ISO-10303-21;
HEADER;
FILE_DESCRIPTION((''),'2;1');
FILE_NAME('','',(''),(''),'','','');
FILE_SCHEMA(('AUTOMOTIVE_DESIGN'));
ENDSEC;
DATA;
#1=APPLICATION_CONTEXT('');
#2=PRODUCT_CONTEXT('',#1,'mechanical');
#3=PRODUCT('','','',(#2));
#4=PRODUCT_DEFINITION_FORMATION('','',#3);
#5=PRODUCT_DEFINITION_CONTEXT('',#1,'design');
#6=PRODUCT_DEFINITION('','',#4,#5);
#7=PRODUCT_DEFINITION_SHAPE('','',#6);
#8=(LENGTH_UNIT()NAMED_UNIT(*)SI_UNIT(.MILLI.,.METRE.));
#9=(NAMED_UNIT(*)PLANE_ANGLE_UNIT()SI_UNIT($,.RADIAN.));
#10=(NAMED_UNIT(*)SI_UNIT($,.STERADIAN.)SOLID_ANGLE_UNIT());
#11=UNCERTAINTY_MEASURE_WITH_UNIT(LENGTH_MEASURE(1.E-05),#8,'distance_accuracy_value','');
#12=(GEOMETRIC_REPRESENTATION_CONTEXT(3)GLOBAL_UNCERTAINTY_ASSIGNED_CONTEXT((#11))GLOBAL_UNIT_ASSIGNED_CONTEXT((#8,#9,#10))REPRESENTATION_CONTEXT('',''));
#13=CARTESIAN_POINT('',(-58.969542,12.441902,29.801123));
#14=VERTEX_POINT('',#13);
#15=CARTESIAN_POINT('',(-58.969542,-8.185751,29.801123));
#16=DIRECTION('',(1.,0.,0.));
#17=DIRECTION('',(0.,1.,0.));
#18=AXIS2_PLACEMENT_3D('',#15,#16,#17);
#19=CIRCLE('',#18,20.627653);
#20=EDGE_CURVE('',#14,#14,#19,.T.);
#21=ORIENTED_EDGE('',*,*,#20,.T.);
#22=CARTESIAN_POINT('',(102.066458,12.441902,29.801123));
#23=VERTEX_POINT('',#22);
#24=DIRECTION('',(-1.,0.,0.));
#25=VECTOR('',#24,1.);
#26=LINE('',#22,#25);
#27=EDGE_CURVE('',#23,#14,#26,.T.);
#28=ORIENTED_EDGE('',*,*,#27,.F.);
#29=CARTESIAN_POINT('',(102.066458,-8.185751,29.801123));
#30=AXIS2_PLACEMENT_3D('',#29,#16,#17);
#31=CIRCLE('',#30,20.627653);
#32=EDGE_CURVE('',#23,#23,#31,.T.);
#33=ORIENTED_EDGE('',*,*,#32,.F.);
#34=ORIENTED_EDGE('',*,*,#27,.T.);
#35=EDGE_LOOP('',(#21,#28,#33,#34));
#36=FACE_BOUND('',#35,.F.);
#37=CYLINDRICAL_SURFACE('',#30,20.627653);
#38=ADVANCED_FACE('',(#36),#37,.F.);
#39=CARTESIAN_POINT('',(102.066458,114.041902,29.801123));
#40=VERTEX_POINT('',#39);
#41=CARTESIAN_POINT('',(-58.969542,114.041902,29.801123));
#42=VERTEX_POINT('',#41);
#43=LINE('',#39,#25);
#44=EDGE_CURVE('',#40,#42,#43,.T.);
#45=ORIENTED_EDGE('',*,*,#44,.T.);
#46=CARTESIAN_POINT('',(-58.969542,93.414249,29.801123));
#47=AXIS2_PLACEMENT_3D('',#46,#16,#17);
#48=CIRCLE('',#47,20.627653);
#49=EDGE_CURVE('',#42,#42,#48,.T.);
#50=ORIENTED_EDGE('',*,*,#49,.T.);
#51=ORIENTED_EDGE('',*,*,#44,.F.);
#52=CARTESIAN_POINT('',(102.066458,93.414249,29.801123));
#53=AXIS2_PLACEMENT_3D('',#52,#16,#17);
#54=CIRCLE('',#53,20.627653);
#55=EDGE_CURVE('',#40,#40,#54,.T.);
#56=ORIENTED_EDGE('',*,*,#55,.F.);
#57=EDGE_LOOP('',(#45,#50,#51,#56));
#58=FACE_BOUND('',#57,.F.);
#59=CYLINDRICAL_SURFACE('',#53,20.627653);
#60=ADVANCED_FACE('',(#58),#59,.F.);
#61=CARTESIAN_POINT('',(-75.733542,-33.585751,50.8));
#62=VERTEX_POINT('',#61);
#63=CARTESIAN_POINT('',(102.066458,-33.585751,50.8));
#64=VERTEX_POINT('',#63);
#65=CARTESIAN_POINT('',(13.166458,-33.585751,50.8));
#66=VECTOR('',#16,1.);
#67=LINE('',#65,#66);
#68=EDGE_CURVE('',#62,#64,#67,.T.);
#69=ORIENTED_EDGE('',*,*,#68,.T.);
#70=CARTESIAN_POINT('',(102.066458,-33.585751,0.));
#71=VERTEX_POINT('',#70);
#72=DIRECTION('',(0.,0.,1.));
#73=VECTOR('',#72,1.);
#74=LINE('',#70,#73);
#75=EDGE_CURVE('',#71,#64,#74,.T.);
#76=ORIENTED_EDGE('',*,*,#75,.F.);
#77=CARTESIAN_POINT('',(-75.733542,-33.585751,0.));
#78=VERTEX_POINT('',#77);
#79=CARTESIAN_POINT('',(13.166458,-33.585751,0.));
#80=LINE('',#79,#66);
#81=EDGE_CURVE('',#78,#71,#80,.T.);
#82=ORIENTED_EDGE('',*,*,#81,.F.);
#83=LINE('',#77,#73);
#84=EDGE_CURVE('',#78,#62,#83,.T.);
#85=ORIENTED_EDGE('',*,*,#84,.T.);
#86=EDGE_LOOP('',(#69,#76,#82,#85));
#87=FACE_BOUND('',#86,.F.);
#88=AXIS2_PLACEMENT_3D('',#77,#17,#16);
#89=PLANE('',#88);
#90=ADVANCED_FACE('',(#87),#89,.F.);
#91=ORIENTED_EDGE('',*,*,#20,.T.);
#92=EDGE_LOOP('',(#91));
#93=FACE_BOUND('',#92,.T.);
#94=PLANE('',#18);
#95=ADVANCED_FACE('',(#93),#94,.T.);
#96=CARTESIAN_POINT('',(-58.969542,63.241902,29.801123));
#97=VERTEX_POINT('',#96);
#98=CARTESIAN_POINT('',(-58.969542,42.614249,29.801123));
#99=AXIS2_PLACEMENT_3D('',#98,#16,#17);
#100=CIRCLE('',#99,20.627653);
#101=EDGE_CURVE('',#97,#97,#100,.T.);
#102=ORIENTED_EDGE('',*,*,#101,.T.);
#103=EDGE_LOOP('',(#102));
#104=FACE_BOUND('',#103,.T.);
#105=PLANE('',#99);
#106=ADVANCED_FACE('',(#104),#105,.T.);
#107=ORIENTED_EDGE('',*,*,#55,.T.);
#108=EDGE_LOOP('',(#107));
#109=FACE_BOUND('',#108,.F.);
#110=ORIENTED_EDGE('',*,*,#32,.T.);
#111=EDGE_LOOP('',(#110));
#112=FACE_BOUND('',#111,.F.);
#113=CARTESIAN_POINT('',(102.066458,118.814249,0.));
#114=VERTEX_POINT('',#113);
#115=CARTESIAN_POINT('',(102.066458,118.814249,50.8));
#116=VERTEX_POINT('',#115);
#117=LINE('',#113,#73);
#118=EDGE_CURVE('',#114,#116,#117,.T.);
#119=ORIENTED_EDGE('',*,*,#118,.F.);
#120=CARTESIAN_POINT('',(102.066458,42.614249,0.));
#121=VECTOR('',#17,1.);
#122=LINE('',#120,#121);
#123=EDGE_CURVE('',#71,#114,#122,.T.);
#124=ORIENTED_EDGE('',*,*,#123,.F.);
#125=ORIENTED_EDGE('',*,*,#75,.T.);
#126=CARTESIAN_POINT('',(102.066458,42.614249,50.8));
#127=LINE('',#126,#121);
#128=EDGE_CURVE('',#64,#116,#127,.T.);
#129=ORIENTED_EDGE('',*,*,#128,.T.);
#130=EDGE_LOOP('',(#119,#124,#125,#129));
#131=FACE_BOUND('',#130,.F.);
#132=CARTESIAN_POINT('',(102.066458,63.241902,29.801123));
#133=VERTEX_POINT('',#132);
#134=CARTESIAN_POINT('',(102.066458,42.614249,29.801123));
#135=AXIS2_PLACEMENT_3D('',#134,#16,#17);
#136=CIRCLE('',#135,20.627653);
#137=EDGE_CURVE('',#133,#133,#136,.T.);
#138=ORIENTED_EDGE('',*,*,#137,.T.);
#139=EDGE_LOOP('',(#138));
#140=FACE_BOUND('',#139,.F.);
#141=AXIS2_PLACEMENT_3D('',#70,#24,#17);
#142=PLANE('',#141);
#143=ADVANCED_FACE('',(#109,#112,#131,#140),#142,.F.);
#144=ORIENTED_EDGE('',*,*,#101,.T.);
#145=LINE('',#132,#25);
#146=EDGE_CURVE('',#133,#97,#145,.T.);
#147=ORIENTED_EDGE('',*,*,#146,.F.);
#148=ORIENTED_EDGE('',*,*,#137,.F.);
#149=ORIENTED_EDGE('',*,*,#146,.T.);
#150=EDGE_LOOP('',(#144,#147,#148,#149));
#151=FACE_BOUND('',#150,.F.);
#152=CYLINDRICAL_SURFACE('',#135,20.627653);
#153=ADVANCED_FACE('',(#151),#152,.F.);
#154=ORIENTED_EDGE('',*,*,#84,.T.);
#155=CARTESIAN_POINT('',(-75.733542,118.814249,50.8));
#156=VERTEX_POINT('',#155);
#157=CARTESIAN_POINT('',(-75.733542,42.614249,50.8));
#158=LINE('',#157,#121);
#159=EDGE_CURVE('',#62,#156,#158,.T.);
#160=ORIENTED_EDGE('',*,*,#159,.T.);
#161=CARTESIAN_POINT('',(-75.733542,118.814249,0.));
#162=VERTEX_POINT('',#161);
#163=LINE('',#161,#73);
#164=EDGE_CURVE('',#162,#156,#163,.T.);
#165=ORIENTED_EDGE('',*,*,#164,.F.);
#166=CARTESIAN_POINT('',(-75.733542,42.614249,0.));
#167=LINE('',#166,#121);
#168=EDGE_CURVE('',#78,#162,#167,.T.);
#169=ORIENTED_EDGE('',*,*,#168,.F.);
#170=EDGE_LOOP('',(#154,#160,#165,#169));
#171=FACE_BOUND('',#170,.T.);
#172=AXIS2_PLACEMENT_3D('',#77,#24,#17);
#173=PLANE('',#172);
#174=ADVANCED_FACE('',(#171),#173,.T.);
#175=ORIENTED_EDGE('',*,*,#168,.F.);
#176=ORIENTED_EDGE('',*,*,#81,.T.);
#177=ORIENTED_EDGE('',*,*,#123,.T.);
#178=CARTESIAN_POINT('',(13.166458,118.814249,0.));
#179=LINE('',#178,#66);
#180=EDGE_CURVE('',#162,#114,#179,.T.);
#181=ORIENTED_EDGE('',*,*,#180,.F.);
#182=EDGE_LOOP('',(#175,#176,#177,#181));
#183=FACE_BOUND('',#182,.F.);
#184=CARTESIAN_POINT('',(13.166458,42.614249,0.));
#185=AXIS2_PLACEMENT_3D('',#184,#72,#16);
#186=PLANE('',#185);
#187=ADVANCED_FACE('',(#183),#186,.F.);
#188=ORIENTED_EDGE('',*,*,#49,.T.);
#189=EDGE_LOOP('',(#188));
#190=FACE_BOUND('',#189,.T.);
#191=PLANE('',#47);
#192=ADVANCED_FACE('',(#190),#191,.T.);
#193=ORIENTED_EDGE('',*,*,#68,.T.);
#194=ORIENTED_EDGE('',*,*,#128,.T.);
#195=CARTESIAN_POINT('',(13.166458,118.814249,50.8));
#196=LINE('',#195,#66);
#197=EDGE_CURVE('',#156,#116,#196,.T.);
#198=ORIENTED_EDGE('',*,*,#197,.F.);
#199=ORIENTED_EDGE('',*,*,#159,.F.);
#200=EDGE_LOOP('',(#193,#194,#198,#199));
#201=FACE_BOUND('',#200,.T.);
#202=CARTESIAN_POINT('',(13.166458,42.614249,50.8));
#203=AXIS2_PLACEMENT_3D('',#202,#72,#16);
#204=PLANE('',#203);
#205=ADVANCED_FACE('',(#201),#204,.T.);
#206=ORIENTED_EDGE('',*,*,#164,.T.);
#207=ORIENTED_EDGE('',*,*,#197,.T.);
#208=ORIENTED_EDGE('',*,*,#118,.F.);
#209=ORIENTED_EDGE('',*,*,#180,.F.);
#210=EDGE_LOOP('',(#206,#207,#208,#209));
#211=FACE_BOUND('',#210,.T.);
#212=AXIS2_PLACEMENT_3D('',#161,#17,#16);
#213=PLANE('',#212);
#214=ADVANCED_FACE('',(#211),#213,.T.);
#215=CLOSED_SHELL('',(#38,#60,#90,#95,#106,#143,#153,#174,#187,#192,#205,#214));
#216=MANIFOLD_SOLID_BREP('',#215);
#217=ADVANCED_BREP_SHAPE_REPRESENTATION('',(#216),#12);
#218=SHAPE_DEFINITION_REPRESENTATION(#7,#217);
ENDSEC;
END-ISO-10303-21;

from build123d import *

# Parameters (mm, degrees)
F0_W     = 177.8
F0_H     = 152.4
F1_DEPTH = 50.8
F2_R     = 20.627653
F3_DEPTH = 161.036


with BuildPart() as f1:
    # F0 (on Top) → F1 (new body)
    with BuildSketch(Plane.XY):
        with Locations((13.166458, 42.614249)):
            Rectangle(F0_W, F0_H)
    extrude(amount=F1_DEPTH)

    # F2 (on face) → F3 (cut)
    with BuildSketch(Plane.YZ.offset(102.066458)):
        with Locations((-8.185751, 29.801123)):
            Circle(F2_R)
        with Locations((42.614249, 29.801123)):
            Circle(F2_R)
        with Locations((93.414249, 29.801123)):
            Circle(F2_R)
    extrude(amount=-F3_DEPTH, mode=Mode.SUBTRACT)


solid = f1.part
